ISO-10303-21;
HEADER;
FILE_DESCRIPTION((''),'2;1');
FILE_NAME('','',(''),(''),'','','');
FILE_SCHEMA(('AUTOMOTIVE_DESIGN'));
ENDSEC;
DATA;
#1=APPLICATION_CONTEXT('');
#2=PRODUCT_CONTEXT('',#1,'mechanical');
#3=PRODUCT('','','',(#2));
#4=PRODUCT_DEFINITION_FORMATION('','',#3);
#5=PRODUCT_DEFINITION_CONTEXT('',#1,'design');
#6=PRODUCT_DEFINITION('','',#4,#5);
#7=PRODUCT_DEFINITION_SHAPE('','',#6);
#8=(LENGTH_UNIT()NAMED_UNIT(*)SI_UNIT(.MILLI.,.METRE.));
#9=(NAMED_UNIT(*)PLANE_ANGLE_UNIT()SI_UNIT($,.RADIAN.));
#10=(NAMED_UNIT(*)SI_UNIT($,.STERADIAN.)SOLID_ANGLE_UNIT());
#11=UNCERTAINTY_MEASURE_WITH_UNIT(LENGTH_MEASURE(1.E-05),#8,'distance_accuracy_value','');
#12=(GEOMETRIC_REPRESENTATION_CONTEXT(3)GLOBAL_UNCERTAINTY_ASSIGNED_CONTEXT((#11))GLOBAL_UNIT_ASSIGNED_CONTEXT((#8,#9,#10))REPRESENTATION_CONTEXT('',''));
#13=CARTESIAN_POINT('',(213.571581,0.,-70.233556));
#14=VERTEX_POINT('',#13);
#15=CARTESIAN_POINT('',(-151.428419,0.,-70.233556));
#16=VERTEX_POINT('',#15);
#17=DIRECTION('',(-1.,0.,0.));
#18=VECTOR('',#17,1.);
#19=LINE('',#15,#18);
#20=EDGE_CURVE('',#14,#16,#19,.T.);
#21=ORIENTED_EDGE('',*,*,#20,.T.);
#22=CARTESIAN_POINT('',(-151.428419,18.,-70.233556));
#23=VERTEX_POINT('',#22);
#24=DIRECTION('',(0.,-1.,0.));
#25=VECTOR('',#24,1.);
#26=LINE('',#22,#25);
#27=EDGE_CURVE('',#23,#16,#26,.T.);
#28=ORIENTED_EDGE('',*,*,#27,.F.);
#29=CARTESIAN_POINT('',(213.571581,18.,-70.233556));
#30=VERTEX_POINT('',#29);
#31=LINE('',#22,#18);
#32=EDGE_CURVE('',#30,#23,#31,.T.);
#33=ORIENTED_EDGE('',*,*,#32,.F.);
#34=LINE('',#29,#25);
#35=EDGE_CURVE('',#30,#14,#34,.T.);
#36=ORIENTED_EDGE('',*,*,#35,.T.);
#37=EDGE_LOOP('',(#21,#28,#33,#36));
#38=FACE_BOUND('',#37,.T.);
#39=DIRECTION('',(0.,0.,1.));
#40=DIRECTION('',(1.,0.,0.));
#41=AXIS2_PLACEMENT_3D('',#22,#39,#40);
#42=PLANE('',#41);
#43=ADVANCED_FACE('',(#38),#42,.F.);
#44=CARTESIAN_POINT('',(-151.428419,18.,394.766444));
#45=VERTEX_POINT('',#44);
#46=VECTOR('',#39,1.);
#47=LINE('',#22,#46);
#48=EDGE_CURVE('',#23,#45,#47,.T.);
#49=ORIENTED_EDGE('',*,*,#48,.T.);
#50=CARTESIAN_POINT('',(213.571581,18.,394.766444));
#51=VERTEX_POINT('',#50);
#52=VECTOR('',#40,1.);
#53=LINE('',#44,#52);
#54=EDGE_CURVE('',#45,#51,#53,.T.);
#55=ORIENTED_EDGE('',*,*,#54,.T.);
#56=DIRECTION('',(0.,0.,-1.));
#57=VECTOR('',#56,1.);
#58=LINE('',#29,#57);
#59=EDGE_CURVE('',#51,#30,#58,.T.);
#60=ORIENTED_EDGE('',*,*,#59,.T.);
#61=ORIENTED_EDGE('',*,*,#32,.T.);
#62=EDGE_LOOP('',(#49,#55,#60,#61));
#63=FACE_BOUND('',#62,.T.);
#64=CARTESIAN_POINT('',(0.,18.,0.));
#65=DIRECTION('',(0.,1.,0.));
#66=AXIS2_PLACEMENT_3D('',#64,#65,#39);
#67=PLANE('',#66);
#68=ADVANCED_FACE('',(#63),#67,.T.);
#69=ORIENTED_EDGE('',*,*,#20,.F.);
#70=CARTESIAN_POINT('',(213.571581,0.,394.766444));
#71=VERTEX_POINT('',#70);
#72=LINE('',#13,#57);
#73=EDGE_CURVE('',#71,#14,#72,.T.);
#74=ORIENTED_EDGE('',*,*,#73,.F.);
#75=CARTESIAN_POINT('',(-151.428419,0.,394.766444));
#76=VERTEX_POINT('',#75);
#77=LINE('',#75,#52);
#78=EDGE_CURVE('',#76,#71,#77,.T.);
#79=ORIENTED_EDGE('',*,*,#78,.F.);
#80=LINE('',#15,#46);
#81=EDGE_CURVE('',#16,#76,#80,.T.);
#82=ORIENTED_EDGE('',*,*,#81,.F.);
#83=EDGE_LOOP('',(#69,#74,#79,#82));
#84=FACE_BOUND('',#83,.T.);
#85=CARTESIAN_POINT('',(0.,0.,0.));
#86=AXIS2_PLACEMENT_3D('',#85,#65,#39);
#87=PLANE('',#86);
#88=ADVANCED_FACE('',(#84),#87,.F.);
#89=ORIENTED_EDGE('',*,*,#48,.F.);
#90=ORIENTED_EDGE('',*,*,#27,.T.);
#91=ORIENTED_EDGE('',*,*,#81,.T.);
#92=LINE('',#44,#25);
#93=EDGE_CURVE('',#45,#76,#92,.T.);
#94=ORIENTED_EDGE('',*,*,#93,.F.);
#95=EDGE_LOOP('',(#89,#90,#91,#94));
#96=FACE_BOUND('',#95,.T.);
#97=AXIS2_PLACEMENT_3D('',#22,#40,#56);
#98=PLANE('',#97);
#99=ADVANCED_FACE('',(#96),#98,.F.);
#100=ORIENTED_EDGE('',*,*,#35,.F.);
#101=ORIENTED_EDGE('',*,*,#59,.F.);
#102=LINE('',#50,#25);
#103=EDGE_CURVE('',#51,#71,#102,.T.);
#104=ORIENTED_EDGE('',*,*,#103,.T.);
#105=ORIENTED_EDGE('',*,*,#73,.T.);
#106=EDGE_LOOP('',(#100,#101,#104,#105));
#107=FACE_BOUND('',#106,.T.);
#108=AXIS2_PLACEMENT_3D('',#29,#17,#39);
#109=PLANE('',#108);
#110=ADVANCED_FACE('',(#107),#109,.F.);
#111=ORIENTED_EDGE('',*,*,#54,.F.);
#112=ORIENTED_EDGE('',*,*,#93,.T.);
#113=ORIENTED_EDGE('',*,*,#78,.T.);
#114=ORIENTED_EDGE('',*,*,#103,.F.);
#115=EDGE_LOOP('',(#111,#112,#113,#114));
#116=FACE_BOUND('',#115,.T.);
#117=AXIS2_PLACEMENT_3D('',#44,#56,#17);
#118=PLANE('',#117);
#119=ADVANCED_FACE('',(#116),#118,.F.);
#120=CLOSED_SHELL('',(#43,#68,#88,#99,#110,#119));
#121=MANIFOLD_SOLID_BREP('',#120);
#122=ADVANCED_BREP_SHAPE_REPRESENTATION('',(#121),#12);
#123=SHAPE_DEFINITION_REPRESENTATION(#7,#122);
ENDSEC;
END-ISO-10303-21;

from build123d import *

# Parameters (mm, degrees)
SKETCH_1_W      = 365
SKETCH_1_H      = 465
EXTRUDE_1_DEPTH = 18


with BuildPart() as part:
    # Эскиз1 → Бобышка-Вытянуть1 (new body)
    with BuildSketch(Plane(origin=(0, 0, 0), x_dir=(1, 0, 0), z_dir=(0, 1, 0))):
        with Locations((31.071580902, -162.266443689)):
            Rectangle(SKETCH_1_W, SKETCH_1_H)
    extrude(amount=EXTRUDE_1_DEPTH)


solid = part.part
